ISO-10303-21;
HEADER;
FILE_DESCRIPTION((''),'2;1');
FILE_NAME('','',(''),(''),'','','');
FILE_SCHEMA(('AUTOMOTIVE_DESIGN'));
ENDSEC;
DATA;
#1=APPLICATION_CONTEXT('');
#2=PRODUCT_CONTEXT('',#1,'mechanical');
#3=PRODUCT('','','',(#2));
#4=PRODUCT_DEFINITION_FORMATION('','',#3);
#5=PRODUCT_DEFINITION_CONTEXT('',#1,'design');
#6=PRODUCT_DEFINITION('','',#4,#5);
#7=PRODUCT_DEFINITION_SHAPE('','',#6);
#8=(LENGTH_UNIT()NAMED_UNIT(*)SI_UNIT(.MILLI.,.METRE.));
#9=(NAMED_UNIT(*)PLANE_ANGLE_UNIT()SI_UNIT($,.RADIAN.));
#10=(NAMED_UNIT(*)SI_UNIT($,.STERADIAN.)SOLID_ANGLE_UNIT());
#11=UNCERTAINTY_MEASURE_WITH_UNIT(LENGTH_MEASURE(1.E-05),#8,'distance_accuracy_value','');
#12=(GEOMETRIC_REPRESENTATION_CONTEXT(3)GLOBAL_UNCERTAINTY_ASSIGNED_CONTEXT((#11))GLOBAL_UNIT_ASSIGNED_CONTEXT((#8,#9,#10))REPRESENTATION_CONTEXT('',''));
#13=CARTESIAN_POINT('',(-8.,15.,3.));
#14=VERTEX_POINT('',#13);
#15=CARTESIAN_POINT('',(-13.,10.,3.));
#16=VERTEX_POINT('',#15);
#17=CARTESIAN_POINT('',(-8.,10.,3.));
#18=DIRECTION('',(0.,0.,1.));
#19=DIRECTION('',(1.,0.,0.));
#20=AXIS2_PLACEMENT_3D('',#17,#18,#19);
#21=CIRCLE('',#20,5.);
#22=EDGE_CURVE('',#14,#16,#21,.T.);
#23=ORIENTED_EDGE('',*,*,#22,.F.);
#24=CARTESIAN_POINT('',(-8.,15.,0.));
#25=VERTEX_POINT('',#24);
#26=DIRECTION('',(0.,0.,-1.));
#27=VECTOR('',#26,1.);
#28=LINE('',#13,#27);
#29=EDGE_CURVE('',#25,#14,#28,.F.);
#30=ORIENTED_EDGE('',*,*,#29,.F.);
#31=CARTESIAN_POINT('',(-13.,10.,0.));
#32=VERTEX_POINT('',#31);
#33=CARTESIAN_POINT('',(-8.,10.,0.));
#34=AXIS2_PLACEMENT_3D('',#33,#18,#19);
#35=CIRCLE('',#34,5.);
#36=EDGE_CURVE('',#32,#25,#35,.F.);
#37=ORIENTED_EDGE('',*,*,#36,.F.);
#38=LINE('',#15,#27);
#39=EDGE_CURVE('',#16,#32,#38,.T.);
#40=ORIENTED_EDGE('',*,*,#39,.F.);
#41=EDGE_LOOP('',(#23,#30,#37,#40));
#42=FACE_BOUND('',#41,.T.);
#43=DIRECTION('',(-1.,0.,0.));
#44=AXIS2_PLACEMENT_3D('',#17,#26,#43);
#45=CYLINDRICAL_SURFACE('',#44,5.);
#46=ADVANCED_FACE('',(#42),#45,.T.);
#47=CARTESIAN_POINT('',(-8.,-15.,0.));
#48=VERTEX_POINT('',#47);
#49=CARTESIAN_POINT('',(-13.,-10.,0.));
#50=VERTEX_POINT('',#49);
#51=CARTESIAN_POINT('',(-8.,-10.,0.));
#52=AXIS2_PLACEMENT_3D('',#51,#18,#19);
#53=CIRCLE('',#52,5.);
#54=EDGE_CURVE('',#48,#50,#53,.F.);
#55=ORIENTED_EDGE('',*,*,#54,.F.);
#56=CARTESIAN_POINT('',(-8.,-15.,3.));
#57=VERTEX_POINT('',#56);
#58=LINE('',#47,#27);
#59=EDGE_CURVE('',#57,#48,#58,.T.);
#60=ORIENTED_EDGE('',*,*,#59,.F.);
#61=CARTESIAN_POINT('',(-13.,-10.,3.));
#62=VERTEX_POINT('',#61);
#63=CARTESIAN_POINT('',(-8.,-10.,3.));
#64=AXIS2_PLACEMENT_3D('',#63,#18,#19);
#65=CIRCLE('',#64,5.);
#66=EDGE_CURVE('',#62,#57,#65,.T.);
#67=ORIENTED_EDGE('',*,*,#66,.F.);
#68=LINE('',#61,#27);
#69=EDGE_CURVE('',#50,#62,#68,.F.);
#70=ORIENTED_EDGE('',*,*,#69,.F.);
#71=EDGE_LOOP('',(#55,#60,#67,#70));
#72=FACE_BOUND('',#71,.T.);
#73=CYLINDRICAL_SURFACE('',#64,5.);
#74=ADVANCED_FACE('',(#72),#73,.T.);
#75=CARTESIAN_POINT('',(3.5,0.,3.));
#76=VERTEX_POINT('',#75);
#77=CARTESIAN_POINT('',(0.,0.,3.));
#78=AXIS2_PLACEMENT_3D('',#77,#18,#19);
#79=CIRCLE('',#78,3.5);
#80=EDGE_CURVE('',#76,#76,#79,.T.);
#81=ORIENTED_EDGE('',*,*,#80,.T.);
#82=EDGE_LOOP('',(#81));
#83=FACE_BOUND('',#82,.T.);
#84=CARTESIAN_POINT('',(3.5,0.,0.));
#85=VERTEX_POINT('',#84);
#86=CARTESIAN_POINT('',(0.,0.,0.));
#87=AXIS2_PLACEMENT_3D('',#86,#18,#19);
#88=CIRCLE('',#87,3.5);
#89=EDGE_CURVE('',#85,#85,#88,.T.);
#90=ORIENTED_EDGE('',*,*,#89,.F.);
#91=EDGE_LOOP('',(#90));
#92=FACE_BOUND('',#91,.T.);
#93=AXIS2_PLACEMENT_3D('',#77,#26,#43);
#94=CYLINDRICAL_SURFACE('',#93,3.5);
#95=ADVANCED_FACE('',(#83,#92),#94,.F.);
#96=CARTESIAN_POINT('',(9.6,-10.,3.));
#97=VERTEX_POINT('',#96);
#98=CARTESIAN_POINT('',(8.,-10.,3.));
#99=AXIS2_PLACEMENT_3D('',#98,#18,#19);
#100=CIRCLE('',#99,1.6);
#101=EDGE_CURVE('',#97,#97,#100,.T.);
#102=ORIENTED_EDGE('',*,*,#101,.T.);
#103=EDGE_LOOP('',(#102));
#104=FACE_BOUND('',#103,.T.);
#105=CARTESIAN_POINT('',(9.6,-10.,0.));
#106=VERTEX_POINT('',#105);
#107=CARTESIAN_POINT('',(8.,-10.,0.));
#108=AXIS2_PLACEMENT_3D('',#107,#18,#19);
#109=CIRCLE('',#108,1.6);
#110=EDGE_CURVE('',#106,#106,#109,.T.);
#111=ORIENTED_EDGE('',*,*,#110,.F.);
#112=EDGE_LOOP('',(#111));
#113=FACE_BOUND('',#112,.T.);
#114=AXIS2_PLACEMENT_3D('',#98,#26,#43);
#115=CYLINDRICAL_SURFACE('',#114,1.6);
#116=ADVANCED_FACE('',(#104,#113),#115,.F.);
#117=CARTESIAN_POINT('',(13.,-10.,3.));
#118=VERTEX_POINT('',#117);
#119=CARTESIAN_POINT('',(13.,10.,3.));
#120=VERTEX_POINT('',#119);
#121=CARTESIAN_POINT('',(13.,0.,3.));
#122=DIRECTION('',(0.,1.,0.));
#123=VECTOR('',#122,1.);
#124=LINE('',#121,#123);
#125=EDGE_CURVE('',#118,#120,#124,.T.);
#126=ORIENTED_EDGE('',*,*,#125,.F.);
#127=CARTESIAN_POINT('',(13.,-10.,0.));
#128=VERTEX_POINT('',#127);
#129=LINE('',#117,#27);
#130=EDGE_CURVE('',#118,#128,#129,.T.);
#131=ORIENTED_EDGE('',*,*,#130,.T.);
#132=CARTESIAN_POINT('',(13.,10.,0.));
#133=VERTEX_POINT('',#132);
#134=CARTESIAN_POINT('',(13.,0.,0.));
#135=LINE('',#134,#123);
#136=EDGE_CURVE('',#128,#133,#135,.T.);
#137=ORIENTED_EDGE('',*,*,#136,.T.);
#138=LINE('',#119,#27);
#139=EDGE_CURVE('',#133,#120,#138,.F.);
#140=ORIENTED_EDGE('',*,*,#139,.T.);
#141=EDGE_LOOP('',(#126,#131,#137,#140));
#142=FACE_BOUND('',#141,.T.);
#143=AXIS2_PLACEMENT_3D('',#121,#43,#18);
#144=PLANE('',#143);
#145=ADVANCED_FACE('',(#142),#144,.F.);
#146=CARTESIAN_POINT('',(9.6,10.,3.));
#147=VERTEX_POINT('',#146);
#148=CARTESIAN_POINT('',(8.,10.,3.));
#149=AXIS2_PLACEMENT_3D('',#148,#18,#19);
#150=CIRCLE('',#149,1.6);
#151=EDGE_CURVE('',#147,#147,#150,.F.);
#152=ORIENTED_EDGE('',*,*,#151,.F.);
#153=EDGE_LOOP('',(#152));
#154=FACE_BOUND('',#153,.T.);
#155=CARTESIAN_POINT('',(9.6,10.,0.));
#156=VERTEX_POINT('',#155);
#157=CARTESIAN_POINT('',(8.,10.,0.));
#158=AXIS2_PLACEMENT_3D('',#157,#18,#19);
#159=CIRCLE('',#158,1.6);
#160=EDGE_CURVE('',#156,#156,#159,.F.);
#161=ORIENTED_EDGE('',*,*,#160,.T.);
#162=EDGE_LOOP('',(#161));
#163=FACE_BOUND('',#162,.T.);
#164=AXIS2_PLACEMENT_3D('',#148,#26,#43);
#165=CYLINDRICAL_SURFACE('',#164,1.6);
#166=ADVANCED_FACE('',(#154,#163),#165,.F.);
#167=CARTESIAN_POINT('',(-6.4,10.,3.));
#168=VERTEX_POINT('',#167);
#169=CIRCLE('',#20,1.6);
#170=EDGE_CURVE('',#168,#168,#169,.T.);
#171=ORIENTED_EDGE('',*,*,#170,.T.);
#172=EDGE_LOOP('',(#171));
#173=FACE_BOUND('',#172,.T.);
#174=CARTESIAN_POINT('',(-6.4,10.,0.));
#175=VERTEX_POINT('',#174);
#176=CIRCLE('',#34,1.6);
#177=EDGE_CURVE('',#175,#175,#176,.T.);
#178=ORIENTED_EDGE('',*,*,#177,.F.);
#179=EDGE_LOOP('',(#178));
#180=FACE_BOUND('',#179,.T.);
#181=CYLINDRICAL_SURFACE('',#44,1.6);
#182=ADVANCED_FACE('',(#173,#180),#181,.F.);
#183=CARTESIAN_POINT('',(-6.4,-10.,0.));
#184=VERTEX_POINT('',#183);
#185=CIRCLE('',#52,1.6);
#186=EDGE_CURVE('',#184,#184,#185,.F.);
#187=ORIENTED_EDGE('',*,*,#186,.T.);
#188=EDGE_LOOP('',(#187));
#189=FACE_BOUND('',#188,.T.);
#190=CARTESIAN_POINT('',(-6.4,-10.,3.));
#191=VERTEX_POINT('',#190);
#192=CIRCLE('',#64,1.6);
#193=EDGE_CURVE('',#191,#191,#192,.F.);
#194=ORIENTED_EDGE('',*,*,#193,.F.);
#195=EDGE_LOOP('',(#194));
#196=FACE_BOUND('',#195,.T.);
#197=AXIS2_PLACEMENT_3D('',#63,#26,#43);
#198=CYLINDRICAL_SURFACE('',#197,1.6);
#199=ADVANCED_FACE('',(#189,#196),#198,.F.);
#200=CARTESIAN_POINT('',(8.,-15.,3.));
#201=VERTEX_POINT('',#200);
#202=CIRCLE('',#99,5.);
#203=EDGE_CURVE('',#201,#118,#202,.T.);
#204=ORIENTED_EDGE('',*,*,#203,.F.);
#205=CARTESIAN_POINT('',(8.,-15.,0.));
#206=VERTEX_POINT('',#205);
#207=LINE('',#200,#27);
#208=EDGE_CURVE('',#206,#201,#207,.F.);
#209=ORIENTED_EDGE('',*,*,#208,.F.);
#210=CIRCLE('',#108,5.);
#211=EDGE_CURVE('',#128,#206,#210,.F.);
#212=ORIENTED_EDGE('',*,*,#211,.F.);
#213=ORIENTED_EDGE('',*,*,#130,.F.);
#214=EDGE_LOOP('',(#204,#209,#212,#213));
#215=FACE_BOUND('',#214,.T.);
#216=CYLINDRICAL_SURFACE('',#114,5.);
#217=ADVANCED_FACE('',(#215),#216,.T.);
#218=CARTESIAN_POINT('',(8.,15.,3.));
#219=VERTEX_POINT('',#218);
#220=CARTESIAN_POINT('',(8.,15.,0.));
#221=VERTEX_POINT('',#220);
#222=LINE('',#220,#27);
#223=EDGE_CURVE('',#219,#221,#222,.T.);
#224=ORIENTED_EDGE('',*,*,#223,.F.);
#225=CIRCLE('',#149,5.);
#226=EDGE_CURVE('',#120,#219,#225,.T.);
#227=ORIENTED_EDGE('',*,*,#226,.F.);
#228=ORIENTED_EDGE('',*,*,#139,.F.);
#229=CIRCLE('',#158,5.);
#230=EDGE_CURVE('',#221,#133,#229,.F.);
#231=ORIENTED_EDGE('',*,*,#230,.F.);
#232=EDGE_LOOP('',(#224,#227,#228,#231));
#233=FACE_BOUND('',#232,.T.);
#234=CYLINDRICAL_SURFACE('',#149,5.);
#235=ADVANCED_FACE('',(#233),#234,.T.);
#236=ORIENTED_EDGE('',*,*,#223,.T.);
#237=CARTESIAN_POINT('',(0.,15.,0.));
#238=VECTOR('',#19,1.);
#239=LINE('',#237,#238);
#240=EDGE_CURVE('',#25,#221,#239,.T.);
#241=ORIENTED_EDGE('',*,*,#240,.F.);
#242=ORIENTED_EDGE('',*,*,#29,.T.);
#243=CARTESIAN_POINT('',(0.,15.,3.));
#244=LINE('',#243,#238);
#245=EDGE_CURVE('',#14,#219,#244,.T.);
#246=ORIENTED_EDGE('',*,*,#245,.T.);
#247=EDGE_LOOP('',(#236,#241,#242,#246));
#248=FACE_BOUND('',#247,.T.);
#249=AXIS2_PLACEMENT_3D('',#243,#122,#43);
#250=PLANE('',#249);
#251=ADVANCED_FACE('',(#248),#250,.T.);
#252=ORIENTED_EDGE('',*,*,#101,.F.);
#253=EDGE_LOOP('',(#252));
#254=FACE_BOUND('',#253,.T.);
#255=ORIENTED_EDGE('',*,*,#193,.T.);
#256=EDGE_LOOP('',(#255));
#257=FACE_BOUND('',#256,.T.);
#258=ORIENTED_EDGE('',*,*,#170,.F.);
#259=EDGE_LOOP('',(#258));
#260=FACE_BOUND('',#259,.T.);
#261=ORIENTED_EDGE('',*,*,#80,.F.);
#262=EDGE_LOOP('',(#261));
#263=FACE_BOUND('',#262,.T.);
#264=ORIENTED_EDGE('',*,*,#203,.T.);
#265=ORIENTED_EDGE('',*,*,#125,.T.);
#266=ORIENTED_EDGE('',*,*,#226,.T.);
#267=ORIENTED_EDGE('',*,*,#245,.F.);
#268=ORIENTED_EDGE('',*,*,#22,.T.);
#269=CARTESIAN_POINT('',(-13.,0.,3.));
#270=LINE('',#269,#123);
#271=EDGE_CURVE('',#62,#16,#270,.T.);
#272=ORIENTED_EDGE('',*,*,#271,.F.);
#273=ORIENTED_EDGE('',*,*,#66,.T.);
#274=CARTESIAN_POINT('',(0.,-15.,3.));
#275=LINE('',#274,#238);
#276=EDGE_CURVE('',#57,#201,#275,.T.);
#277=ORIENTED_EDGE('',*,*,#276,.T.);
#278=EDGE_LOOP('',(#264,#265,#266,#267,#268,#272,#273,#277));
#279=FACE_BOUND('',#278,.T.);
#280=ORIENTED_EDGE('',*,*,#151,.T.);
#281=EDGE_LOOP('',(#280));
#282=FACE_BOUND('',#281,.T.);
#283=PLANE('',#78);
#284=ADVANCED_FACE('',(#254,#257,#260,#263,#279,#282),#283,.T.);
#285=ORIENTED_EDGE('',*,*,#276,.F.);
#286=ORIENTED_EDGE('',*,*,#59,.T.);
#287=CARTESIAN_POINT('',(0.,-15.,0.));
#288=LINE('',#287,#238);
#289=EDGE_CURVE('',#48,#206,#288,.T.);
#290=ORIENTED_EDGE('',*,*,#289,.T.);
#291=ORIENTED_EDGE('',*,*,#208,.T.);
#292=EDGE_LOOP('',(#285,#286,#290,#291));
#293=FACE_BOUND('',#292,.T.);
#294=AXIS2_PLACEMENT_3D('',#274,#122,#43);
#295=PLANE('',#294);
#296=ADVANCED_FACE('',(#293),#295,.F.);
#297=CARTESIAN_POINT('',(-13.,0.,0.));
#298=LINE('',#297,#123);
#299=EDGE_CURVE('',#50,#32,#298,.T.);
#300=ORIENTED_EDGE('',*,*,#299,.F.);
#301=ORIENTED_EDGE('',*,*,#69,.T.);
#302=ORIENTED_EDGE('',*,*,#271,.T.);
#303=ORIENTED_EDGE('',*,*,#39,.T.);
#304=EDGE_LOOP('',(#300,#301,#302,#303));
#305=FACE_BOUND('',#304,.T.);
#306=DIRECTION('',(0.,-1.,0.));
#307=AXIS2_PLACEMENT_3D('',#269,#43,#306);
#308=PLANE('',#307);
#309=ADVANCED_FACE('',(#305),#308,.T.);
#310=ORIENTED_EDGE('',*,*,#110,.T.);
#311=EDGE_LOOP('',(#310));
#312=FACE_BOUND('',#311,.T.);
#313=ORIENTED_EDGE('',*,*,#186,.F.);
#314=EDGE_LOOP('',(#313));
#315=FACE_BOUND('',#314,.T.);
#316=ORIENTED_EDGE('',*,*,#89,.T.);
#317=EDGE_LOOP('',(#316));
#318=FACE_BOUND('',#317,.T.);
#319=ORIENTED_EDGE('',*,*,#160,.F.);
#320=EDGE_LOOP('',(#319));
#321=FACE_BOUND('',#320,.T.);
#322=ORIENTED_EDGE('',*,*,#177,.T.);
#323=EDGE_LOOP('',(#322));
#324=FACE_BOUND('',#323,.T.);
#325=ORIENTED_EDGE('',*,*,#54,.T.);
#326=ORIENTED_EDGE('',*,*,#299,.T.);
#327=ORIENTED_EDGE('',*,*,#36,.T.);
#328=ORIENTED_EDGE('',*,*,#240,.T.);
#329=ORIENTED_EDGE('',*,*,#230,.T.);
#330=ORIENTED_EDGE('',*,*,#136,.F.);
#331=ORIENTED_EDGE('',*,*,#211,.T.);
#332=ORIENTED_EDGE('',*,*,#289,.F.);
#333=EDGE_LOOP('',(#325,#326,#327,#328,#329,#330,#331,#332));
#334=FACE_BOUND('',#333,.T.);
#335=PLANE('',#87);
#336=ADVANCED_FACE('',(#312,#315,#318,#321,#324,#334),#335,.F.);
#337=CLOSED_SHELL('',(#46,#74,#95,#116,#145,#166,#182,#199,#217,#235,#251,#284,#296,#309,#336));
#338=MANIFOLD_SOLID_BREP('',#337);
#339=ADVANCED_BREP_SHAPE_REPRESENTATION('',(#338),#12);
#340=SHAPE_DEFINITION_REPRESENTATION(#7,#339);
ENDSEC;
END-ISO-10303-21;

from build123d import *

# Parameters (mm, degrees)
ESBO_O1_W                = 26
ESBO_O1_H                = 30
ESBO_O1_R                = 3.5
ESBO_O1_R_2              = 1.6
RESSALTO_EXTRUS_O1_DEPTH = 3
FILETE1_R                = 5


with BuildPart() as part:
    # Esboço1 → Ressalto-extrusão1 (new body)
    with BuildSketch(Plane.XY):
        Rectangle(ESBO_O1_W, ESBO_O1_H)
        Circle(ESBO_O1_R, mode=Mode.SUBTRACT)
        with Locations((8, 10)):
            Circle(ESBO_O1_R_2, mode=Mode.SUBTRACT)
        with Locations((-8, 10)):
            Circle(ESBO_O1_R_2, mode=Mode.SUBTRACT)
        with Locations((8, -10)):
            Circle(ESBO_O1_R_2, mode=Mode.SUBTRACT)
        with Locations((-8, -10)):
            Circle(ESBO_O1_R_2, mode=Mode.SUBTRACT)
    extrude(amount=RESSALTO_EXTRUS_O1_DEPTH)

    # Filete1
    filete1_edges = [part.edges().sort_by_distance(p)[0] for p in [
        (-13, -15, 1.5),
        (-13, 15, 1.5),
        (13, 15, 1.5),
        (13, -15, 1.5),
    ]]
    fillet(filete1_edges, radius=FILETE1_R)


solid = part.part
